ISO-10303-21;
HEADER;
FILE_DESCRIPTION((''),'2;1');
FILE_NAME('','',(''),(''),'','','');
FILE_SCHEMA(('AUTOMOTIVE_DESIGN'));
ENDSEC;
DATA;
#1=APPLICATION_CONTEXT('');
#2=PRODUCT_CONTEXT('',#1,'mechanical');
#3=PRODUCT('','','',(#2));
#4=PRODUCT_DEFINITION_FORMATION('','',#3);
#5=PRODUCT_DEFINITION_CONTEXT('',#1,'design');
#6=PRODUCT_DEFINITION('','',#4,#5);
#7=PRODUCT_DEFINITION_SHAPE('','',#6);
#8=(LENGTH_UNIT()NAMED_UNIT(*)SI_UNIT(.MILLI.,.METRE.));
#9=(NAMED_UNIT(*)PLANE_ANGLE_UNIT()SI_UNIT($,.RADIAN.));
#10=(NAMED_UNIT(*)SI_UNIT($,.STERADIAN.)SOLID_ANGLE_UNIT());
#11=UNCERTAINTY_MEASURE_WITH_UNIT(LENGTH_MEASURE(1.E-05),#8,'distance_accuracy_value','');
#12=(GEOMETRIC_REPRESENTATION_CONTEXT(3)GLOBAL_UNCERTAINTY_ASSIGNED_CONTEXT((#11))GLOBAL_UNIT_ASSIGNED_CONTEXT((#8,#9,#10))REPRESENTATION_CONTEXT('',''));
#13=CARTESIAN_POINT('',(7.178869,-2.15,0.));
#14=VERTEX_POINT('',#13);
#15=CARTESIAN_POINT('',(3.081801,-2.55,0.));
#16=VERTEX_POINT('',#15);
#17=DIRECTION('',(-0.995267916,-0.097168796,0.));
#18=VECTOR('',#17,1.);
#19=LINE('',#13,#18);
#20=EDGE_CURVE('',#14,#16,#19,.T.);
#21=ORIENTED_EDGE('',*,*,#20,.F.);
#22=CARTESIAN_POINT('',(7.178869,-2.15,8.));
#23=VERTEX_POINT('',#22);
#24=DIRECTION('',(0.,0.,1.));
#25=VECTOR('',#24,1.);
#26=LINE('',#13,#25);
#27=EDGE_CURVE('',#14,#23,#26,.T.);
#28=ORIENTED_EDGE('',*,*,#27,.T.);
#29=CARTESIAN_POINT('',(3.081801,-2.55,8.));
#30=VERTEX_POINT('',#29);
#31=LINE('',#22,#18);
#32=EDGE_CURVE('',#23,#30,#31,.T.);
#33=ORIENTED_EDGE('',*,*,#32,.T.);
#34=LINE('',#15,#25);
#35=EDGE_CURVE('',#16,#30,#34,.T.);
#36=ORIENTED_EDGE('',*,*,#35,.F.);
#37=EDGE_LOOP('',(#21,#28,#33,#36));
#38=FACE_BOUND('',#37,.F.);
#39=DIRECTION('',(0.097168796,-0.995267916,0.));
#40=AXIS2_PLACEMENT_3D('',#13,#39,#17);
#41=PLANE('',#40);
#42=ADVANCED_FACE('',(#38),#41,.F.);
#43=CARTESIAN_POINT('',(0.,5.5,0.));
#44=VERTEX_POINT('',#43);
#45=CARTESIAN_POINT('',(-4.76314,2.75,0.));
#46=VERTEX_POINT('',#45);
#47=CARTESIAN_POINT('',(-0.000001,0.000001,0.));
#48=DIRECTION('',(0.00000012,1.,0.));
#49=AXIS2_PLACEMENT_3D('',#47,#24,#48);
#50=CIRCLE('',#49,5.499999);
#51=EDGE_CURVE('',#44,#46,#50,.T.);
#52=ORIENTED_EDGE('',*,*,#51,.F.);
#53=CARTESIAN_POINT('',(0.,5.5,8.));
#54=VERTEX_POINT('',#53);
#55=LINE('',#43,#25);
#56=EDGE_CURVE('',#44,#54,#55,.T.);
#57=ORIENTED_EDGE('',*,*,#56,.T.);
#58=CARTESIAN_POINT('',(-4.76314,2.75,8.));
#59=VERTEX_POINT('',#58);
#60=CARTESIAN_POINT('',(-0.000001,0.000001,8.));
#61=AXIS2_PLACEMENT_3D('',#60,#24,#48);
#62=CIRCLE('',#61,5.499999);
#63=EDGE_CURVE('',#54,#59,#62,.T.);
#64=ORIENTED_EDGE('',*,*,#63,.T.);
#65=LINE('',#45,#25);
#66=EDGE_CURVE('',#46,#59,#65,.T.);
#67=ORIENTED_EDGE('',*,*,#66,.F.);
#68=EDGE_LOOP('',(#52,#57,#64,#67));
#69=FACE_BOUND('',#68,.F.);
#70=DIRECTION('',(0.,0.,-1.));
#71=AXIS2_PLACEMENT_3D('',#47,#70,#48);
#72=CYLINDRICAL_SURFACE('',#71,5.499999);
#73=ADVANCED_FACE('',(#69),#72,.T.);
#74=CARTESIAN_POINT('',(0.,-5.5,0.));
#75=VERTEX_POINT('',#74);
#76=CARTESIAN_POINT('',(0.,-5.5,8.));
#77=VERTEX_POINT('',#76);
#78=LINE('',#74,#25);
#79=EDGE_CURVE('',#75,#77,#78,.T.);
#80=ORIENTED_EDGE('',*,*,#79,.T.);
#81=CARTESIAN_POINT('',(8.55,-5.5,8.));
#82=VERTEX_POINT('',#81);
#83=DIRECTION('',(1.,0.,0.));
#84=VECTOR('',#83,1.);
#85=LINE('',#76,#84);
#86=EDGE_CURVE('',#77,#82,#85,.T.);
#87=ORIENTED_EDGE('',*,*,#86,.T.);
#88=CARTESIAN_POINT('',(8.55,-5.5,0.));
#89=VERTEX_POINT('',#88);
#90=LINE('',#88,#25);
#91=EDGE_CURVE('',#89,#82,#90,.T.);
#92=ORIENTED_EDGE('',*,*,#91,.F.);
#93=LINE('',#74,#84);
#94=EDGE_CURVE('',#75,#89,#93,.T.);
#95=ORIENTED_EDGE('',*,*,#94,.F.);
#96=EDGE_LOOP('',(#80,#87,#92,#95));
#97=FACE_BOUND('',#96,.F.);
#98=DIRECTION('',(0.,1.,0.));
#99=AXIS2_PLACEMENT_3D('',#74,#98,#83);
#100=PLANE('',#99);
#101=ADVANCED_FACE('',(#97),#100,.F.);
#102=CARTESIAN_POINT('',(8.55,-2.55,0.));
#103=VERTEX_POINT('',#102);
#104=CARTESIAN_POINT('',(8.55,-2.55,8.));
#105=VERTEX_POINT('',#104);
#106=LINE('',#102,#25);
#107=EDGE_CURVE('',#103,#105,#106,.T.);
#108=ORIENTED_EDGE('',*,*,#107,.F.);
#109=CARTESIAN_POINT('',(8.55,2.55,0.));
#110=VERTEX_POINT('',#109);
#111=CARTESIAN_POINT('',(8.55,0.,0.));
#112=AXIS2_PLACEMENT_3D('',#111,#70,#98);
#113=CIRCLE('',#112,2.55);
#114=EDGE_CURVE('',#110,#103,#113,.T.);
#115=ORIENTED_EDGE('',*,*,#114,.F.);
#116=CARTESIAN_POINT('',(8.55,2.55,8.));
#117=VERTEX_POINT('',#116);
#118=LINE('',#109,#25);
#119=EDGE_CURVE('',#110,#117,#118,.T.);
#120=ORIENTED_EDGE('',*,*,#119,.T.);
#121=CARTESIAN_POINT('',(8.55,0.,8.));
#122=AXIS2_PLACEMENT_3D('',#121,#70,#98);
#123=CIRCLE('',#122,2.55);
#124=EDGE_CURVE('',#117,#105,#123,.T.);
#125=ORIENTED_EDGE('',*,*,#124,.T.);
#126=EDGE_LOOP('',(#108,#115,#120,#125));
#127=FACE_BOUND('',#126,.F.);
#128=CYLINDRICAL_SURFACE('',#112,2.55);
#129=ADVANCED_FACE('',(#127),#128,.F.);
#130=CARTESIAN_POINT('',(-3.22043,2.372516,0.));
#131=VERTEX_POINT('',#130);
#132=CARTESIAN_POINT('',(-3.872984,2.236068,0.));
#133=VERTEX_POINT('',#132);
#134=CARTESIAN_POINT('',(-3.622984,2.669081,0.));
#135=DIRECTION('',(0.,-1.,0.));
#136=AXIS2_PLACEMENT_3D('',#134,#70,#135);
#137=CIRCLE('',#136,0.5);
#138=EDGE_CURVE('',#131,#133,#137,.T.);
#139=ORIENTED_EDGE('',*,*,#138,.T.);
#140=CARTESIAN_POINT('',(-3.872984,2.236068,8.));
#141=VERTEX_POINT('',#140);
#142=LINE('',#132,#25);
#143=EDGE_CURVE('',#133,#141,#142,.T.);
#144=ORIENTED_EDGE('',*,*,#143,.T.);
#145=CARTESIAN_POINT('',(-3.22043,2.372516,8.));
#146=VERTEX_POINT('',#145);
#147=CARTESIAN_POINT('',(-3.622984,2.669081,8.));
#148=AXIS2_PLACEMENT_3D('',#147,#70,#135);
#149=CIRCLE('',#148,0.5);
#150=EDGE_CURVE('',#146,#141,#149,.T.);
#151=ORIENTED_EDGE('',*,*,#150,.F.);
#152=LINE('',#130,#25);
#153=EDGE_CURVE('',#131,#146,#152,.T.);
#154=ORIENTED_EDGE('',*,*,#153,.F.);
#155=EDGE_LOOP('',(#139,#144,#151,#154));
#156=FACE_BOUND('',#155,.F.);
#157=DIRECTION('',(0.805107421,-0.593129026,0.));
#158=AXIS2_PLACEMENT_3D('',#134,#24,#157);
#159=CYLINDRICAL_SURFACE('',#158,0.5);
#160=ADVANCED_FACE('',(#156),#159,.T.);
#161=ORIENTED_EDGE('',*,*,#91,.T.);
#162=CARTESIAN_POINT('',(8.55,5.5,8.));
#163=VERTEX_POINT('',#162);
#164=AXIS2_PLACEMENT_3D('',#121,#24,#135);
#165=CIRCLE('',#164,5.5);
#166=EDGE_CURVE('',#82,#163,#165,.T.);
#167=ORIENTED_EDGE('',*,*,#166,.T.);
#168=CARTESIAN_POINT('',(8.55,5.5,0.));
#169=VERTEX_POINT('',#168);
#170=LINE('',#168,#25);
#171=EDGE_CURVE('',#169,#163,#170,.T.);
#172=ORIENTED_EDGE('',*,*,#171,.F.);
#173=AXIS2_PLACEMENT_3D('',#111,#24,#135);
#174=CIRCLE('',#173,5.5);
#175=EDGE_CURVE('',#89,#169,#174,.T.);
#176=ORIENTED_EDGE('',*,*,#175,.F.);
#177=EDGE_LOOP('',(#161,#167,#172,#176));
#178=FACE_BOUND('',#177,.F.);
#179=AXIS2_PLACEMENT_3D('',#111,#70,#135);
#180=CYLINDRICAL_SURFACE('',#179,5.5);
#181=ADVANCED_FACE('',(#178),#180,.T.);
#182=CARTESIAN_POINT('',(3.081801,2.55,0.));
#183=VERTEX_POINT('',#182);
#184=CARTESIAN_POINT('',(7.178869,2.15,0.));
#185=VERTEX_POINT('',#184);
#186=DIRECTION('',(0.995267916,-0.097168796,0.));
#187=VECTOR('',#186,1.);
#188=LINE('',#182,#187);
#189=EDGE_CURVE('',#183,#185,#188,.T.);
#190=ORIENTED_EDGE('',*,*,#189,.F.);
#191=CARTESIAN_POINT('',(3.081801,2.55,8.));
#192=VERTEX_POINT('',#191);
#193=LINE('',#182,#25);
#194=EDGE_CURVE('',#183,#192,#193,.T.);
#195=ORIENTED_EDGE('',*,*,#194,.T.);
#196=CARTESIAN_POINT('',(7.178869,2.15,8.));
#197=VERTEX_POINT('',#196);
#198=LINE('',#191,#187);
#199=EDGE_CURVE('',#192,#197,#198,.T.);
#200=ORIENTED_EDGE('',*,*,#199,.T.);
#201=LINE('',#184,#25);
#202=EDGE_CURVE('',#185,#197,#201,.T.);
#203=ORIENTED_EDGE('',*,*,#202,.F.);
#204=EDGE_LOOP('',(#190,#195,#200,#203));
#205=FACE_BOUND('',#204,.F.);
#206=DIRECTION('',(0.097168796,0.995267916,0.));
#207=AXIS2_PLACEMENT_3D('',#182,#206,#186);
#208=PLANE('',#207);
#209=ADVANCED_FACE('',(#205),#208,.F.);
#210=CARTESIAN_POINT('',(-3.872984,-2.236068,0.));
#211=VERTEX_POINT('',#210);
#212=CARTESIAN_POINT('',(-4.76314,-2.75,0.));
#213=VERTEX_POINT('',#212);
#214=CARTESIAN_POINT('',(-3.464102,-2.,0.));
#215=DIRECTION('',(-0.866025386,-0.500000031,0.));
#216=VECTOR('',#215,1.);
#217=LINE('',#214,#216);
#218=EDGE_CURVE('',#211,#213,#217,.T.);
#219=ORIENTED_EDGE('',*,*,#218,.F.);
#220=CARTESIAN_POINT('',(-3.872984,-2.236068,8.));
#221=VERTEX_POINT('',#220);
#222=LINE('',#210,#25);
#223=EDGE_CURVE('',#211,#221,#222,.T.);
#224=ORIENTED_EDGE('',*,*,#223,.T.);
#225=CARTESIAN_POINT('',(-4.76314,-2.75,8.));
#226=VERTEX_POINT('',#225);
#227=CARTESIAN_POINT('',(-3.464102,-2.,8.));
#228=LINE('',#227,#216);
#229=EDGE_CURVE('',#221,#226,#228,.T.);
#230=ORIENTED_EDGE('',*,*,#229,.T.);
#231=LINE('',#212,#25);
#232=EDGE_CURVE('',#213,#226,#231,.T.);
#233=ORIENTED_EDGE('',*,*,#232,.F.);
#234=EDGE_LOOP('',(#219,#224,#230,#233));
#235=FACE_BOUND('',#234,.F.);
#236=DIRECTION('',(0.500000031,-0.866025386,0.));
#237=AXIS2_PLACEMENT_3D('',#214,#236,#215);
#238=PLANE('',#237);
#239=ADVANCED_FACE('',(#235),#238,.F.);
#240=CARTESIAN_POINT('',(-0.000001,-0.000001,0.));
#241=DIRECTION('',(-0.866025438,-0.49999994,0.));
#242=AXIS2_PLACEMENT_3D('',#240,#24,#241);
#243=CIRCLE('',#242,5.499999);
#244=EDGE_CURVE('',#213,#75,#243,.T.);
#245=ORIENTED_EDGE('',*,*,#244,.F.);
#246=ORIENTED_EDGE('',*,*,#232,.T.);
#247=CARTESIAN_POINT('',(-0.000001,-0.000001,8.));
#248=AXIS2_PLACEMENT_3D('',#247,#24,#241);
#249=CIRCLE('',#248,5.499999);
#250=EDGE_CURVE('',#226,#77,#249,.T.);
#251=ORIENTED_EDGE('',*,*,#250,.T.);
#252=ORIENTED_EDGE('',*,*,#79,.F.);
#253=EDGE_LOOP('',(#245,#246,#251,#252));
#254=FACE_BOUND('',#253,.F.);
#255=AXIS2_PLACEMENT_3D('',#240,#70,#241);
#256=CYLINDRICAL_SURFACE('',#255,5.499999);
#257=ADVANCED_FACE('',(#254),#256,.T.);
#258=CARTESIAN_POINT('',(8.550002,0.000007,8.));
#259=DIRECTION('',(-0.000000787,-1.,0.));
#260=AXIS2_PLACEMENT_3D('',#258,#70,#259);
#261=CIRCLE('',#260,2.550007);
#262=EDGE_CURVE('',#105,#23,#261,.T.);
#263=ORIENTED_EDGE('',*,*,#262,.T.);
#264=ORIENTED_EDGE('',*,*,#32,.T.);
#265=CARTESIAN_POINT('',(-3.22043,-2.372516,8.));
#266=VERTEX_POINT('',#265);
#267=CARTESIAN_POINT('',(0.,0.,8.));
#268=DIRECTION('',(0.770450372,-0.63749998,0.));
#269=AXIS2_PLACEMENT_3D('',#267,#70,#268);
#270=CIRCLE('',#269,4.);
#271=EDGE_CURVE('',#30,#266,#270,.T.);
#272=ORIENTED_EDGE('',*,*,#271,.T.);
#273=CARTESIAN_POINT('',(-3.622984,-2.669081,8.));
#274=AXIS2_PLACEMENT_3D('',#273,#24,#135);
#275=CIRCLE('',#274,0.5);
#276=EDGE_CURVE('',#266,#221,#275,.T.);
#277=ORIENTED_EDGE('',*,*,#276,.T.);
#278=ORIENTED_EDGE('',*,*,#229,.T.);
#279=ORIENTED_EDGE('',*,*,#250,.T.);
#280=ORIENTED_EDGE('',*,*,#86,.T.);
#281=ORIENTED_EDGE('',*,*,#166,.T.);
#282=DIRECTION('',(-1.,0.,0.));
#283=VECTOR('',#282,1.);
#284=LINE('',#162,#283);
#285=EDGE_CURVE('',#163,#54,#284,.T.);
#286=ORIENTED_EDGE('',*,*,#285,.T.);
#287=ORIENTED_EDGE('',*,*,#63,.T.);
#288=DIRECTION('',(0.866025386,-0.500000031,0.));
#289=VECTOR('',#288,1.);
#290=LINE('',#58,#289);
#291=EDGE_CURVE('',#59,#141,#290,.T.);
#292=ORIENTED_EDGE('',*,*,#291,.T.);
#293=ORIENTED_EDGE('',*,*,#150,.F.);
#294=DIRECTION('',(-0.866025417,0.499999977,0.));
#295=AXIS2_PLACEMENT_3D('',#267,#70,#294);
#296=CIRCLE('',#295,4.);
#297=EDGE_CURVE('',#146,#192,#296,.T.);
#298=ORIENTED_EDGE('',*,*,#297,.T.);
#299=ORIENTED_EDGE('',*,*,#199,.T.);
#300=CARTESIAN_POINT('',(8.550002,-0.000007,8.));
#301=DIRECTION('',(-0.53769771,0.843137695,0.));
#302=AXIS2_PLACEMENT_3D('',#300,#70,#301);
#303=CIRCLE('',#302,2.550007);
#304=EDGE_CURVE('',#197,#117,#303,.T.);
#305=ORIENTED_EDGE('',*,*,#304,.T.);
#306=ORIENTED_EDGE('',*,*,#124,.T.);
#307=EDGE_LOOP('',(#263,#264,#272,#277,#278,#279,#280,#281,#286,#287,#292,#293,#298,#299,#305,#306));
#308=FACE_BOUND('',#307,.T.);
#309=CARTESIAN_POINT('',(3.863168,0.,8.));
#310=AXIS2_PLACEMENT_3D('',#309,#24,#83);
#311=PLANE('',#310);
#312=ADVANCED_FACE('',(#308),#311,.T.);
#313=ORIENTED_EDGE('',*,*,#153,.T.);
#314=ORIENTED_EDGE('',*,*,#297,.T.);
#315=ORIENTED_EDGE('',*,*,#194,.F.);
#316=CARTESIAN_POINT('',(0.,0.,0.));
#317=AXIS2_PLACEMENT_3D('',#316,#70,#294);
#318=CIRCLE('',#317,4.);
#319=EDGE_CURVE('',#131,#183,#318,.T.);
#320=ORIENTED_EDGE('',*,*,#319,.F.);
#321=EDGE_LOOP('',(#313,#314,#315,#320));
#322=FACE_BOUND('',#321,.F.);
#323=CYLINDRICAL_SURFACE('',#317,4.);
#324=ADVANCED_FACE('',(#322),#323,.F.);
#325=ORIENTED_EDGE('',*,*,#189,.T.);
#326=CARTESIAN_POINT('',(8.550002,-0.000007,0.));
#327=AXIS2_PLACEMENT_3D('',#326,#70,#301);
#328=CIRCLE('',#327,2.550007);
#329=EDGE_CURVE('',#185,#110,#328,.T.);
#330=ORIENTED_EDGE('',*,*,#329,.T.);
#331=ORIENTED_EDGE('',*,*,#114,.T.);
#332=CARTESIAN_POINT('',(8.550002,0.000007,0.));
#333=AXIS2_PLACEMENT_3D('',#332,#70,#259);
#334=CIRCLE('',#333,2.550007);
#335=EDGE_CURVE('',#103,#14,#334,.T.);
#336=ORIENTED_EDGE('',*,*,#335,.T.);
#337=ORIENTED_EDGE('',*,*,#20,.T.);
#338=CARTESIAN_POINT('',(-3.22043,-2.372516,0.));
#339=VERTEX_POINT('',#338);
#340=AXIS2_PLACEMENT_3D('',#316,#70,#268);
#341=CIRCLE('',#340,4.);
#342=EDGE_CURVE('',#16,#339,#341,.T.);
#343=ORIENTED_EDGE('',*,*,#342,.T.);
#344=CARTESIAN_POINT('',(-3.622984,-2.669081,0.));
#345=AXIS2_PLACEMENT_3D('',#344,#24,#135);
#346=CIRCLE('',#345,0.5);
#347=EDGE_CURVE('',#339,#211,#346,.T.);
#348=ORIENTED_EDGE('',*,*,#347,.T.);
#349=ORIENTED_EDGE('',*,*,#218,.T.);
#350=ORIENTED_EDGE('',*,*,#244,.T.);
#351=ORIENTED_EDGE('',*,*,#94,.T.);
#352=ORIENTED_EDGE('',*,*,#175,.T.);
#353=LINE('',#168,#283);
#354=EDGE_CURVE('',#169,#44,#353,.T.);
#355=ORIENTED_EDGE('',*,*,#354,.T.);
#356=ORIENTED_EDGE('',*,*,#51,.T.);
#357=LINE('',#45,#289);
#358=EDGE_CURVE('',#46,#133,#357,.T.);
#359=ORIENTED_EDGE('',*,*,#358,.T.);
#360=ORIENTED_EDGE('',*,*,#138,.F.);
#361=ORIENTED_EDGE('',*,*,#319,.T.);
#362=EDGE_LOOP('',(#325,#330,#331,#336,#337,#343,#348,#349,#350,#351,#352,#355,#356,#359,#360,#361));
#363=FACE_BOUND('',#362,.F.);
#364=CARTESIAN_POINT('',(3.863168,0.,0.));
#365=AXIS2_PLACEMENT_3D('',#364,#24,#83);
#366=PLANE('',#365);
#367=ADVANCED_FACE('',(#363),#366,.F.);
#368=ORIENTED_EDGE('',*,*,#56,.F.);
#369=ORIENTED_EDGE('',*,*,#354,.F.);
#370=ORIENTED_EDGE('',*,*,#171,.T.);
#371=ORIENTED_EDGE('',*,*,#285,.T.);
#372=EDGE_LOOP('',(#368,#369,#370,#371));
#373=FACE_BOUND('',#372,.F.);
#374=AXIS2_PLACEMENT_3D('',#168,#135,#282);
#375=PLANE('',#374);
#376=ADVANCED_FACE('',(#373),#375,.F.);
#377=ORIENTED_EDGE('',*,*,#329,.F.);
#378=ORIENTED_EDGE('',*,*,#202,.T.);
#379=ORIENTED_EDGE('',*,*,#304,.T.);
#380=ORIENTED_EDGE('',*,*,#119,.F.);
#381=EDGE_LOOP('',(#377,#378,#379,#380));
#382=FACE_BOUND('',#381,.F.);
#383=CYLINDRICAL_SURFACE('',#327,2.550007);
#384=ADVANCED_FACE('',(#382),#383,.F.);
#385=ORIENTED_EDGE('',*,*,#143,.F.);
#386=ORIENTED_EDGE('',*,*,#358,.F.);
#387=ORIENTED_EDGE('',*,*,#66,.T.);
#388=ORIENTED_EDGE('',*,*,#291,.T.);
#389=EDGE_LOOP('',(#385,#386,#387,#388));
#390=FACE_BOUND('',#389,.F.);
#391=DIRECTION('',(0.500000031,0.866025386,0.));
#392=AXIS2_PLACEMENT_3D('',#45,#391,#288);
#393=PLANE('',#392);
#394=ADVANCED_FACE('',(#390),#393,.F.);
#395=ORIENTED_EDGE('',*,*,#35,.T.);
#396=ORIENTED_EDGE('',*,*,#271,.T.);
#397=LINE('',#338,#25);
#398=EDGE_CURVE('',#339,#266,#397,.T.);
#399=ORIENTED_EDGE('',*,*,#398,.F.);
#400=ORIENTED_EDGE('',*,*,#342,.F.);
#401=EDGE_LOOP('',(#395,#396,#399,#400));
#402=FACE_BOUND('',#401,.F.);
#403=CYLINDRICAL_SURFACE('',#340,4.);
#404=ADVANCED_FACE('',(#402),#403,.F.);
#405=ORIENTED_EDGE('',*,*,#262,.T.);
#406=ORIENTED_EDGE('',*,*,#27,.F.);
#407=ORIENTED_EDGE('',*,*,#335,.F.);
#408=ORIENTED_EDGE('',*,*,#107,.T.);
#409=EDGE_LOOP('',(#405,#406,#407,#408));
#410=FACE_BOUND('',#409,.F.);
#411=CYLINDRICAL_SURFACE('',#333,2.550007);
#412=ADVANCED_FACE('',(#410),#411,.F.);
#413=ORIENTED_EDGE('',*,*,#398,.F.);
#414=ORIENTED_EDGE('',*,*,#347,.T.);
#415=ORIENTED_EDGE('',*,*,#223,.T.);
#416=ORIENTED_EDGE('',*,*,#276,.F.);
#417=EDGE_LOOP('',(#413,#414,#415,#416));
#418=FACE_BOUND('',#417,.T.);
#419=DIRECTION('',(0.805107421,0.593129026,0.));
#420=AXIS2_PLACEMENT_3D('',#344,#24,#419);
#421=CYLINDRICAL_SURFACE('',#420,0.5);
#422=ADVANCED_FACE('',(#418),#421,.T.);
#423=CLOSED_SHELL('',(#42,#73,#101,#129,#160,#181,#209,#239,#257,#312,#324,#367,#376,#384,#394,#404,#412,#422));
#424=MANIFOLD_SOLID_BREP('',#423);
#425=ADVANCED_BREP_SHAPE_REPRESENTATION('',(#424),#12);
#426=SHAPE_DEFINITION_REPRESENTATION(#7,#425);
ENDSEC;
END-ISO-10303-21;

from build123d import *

# Parameters (mm, degrees)
F1_DEPTH = 8
F2_R     = 0.5


with BuildPart() as f1:
    # F0 (on Top) → F1 (new body)
    with BuildSketch(Plane.XY):
        with BuildLine():
            ThreePointArc((-3.464102, 2), (-0.334908, 3.985955), (3.081801, 2.55))
            Line((3.081801, 2.55), (7.178869, 2.15))
            ThreePointArc((7.178869, 2.15), (7.835857, 2.447958), (8.55, 2.55))
            ThreePointArc((8.55, 2.55), (11.1, 0), (8.55, -2.55))
            ThreePointArc((8.55, -2.55), (7.835857, -2.447958), (7.178869, -2.15))
            Line((7.178869, -2.15), (3.081801, -2.55))
            ThreePointArc((3.081801, -2.55), (-0.334908, -3.985955), (-3.464102, -2))
            Line((-3.464102, -2), (-4.76314, -2.75))
            ThreePointArc((-4.76314, -2.75), (-2.75, -4.76314), (0, -5.5))
            ThreePointArc((0, -5.5), (1.996873, -5.124695), (3.721223, -4.05))
            Line((3.721223, -4.05), (8.55, -4.05))
            ThreePointArc((8.55, -4.05), (12.6, 0), (8.55, 4.05))
            Line((8.55, 4.05), (3.721223, 4.05))
            ThreePointArc((3.721223, 4.05), (1.996873, 5.124695), (0, 5.5))
            ThreePointArc((0, 5.5), (-2.75, 4.76314), (-4.76314, 2.75))
            Line((-4.76314, 2.75), (-3.464102, 2))
        make_face()
        with BuildLine():
            Line((8.55, 5.5), (0, 5.5))
            ThreePointArc((0, 5.5), (1.996873, 5.124695), (3.721223, 4.05))
            Line((3.721223, 4.05), (8.55, 4.05))
            ThreePointArc((8.55, 4.05), (12.6, 0), (8.55, -4.05))
            Line((8.55, -4.05), (3.721223, -4.05))
            ThreePointArc((3.721223, -4.05), (1.996873, -5.124695), (0, -5.5))
            Line((0, -5.5), (8.55, -5.5))
            ThreePointArc((8.55, -5.5), (14.05, 0), (8.55, 5.5))
        make_face()
    extrude(amount=F1_DEPTH)

    # F2
    f2_edges = [f1.edges().sort_by_distance(p)[0] for p in [
        (-3.464102, -2, 4),
        (-3.464102, 2, 4),
    ]]
    fillet(f2_edges, radius=F2_R)


solid = f1.part
